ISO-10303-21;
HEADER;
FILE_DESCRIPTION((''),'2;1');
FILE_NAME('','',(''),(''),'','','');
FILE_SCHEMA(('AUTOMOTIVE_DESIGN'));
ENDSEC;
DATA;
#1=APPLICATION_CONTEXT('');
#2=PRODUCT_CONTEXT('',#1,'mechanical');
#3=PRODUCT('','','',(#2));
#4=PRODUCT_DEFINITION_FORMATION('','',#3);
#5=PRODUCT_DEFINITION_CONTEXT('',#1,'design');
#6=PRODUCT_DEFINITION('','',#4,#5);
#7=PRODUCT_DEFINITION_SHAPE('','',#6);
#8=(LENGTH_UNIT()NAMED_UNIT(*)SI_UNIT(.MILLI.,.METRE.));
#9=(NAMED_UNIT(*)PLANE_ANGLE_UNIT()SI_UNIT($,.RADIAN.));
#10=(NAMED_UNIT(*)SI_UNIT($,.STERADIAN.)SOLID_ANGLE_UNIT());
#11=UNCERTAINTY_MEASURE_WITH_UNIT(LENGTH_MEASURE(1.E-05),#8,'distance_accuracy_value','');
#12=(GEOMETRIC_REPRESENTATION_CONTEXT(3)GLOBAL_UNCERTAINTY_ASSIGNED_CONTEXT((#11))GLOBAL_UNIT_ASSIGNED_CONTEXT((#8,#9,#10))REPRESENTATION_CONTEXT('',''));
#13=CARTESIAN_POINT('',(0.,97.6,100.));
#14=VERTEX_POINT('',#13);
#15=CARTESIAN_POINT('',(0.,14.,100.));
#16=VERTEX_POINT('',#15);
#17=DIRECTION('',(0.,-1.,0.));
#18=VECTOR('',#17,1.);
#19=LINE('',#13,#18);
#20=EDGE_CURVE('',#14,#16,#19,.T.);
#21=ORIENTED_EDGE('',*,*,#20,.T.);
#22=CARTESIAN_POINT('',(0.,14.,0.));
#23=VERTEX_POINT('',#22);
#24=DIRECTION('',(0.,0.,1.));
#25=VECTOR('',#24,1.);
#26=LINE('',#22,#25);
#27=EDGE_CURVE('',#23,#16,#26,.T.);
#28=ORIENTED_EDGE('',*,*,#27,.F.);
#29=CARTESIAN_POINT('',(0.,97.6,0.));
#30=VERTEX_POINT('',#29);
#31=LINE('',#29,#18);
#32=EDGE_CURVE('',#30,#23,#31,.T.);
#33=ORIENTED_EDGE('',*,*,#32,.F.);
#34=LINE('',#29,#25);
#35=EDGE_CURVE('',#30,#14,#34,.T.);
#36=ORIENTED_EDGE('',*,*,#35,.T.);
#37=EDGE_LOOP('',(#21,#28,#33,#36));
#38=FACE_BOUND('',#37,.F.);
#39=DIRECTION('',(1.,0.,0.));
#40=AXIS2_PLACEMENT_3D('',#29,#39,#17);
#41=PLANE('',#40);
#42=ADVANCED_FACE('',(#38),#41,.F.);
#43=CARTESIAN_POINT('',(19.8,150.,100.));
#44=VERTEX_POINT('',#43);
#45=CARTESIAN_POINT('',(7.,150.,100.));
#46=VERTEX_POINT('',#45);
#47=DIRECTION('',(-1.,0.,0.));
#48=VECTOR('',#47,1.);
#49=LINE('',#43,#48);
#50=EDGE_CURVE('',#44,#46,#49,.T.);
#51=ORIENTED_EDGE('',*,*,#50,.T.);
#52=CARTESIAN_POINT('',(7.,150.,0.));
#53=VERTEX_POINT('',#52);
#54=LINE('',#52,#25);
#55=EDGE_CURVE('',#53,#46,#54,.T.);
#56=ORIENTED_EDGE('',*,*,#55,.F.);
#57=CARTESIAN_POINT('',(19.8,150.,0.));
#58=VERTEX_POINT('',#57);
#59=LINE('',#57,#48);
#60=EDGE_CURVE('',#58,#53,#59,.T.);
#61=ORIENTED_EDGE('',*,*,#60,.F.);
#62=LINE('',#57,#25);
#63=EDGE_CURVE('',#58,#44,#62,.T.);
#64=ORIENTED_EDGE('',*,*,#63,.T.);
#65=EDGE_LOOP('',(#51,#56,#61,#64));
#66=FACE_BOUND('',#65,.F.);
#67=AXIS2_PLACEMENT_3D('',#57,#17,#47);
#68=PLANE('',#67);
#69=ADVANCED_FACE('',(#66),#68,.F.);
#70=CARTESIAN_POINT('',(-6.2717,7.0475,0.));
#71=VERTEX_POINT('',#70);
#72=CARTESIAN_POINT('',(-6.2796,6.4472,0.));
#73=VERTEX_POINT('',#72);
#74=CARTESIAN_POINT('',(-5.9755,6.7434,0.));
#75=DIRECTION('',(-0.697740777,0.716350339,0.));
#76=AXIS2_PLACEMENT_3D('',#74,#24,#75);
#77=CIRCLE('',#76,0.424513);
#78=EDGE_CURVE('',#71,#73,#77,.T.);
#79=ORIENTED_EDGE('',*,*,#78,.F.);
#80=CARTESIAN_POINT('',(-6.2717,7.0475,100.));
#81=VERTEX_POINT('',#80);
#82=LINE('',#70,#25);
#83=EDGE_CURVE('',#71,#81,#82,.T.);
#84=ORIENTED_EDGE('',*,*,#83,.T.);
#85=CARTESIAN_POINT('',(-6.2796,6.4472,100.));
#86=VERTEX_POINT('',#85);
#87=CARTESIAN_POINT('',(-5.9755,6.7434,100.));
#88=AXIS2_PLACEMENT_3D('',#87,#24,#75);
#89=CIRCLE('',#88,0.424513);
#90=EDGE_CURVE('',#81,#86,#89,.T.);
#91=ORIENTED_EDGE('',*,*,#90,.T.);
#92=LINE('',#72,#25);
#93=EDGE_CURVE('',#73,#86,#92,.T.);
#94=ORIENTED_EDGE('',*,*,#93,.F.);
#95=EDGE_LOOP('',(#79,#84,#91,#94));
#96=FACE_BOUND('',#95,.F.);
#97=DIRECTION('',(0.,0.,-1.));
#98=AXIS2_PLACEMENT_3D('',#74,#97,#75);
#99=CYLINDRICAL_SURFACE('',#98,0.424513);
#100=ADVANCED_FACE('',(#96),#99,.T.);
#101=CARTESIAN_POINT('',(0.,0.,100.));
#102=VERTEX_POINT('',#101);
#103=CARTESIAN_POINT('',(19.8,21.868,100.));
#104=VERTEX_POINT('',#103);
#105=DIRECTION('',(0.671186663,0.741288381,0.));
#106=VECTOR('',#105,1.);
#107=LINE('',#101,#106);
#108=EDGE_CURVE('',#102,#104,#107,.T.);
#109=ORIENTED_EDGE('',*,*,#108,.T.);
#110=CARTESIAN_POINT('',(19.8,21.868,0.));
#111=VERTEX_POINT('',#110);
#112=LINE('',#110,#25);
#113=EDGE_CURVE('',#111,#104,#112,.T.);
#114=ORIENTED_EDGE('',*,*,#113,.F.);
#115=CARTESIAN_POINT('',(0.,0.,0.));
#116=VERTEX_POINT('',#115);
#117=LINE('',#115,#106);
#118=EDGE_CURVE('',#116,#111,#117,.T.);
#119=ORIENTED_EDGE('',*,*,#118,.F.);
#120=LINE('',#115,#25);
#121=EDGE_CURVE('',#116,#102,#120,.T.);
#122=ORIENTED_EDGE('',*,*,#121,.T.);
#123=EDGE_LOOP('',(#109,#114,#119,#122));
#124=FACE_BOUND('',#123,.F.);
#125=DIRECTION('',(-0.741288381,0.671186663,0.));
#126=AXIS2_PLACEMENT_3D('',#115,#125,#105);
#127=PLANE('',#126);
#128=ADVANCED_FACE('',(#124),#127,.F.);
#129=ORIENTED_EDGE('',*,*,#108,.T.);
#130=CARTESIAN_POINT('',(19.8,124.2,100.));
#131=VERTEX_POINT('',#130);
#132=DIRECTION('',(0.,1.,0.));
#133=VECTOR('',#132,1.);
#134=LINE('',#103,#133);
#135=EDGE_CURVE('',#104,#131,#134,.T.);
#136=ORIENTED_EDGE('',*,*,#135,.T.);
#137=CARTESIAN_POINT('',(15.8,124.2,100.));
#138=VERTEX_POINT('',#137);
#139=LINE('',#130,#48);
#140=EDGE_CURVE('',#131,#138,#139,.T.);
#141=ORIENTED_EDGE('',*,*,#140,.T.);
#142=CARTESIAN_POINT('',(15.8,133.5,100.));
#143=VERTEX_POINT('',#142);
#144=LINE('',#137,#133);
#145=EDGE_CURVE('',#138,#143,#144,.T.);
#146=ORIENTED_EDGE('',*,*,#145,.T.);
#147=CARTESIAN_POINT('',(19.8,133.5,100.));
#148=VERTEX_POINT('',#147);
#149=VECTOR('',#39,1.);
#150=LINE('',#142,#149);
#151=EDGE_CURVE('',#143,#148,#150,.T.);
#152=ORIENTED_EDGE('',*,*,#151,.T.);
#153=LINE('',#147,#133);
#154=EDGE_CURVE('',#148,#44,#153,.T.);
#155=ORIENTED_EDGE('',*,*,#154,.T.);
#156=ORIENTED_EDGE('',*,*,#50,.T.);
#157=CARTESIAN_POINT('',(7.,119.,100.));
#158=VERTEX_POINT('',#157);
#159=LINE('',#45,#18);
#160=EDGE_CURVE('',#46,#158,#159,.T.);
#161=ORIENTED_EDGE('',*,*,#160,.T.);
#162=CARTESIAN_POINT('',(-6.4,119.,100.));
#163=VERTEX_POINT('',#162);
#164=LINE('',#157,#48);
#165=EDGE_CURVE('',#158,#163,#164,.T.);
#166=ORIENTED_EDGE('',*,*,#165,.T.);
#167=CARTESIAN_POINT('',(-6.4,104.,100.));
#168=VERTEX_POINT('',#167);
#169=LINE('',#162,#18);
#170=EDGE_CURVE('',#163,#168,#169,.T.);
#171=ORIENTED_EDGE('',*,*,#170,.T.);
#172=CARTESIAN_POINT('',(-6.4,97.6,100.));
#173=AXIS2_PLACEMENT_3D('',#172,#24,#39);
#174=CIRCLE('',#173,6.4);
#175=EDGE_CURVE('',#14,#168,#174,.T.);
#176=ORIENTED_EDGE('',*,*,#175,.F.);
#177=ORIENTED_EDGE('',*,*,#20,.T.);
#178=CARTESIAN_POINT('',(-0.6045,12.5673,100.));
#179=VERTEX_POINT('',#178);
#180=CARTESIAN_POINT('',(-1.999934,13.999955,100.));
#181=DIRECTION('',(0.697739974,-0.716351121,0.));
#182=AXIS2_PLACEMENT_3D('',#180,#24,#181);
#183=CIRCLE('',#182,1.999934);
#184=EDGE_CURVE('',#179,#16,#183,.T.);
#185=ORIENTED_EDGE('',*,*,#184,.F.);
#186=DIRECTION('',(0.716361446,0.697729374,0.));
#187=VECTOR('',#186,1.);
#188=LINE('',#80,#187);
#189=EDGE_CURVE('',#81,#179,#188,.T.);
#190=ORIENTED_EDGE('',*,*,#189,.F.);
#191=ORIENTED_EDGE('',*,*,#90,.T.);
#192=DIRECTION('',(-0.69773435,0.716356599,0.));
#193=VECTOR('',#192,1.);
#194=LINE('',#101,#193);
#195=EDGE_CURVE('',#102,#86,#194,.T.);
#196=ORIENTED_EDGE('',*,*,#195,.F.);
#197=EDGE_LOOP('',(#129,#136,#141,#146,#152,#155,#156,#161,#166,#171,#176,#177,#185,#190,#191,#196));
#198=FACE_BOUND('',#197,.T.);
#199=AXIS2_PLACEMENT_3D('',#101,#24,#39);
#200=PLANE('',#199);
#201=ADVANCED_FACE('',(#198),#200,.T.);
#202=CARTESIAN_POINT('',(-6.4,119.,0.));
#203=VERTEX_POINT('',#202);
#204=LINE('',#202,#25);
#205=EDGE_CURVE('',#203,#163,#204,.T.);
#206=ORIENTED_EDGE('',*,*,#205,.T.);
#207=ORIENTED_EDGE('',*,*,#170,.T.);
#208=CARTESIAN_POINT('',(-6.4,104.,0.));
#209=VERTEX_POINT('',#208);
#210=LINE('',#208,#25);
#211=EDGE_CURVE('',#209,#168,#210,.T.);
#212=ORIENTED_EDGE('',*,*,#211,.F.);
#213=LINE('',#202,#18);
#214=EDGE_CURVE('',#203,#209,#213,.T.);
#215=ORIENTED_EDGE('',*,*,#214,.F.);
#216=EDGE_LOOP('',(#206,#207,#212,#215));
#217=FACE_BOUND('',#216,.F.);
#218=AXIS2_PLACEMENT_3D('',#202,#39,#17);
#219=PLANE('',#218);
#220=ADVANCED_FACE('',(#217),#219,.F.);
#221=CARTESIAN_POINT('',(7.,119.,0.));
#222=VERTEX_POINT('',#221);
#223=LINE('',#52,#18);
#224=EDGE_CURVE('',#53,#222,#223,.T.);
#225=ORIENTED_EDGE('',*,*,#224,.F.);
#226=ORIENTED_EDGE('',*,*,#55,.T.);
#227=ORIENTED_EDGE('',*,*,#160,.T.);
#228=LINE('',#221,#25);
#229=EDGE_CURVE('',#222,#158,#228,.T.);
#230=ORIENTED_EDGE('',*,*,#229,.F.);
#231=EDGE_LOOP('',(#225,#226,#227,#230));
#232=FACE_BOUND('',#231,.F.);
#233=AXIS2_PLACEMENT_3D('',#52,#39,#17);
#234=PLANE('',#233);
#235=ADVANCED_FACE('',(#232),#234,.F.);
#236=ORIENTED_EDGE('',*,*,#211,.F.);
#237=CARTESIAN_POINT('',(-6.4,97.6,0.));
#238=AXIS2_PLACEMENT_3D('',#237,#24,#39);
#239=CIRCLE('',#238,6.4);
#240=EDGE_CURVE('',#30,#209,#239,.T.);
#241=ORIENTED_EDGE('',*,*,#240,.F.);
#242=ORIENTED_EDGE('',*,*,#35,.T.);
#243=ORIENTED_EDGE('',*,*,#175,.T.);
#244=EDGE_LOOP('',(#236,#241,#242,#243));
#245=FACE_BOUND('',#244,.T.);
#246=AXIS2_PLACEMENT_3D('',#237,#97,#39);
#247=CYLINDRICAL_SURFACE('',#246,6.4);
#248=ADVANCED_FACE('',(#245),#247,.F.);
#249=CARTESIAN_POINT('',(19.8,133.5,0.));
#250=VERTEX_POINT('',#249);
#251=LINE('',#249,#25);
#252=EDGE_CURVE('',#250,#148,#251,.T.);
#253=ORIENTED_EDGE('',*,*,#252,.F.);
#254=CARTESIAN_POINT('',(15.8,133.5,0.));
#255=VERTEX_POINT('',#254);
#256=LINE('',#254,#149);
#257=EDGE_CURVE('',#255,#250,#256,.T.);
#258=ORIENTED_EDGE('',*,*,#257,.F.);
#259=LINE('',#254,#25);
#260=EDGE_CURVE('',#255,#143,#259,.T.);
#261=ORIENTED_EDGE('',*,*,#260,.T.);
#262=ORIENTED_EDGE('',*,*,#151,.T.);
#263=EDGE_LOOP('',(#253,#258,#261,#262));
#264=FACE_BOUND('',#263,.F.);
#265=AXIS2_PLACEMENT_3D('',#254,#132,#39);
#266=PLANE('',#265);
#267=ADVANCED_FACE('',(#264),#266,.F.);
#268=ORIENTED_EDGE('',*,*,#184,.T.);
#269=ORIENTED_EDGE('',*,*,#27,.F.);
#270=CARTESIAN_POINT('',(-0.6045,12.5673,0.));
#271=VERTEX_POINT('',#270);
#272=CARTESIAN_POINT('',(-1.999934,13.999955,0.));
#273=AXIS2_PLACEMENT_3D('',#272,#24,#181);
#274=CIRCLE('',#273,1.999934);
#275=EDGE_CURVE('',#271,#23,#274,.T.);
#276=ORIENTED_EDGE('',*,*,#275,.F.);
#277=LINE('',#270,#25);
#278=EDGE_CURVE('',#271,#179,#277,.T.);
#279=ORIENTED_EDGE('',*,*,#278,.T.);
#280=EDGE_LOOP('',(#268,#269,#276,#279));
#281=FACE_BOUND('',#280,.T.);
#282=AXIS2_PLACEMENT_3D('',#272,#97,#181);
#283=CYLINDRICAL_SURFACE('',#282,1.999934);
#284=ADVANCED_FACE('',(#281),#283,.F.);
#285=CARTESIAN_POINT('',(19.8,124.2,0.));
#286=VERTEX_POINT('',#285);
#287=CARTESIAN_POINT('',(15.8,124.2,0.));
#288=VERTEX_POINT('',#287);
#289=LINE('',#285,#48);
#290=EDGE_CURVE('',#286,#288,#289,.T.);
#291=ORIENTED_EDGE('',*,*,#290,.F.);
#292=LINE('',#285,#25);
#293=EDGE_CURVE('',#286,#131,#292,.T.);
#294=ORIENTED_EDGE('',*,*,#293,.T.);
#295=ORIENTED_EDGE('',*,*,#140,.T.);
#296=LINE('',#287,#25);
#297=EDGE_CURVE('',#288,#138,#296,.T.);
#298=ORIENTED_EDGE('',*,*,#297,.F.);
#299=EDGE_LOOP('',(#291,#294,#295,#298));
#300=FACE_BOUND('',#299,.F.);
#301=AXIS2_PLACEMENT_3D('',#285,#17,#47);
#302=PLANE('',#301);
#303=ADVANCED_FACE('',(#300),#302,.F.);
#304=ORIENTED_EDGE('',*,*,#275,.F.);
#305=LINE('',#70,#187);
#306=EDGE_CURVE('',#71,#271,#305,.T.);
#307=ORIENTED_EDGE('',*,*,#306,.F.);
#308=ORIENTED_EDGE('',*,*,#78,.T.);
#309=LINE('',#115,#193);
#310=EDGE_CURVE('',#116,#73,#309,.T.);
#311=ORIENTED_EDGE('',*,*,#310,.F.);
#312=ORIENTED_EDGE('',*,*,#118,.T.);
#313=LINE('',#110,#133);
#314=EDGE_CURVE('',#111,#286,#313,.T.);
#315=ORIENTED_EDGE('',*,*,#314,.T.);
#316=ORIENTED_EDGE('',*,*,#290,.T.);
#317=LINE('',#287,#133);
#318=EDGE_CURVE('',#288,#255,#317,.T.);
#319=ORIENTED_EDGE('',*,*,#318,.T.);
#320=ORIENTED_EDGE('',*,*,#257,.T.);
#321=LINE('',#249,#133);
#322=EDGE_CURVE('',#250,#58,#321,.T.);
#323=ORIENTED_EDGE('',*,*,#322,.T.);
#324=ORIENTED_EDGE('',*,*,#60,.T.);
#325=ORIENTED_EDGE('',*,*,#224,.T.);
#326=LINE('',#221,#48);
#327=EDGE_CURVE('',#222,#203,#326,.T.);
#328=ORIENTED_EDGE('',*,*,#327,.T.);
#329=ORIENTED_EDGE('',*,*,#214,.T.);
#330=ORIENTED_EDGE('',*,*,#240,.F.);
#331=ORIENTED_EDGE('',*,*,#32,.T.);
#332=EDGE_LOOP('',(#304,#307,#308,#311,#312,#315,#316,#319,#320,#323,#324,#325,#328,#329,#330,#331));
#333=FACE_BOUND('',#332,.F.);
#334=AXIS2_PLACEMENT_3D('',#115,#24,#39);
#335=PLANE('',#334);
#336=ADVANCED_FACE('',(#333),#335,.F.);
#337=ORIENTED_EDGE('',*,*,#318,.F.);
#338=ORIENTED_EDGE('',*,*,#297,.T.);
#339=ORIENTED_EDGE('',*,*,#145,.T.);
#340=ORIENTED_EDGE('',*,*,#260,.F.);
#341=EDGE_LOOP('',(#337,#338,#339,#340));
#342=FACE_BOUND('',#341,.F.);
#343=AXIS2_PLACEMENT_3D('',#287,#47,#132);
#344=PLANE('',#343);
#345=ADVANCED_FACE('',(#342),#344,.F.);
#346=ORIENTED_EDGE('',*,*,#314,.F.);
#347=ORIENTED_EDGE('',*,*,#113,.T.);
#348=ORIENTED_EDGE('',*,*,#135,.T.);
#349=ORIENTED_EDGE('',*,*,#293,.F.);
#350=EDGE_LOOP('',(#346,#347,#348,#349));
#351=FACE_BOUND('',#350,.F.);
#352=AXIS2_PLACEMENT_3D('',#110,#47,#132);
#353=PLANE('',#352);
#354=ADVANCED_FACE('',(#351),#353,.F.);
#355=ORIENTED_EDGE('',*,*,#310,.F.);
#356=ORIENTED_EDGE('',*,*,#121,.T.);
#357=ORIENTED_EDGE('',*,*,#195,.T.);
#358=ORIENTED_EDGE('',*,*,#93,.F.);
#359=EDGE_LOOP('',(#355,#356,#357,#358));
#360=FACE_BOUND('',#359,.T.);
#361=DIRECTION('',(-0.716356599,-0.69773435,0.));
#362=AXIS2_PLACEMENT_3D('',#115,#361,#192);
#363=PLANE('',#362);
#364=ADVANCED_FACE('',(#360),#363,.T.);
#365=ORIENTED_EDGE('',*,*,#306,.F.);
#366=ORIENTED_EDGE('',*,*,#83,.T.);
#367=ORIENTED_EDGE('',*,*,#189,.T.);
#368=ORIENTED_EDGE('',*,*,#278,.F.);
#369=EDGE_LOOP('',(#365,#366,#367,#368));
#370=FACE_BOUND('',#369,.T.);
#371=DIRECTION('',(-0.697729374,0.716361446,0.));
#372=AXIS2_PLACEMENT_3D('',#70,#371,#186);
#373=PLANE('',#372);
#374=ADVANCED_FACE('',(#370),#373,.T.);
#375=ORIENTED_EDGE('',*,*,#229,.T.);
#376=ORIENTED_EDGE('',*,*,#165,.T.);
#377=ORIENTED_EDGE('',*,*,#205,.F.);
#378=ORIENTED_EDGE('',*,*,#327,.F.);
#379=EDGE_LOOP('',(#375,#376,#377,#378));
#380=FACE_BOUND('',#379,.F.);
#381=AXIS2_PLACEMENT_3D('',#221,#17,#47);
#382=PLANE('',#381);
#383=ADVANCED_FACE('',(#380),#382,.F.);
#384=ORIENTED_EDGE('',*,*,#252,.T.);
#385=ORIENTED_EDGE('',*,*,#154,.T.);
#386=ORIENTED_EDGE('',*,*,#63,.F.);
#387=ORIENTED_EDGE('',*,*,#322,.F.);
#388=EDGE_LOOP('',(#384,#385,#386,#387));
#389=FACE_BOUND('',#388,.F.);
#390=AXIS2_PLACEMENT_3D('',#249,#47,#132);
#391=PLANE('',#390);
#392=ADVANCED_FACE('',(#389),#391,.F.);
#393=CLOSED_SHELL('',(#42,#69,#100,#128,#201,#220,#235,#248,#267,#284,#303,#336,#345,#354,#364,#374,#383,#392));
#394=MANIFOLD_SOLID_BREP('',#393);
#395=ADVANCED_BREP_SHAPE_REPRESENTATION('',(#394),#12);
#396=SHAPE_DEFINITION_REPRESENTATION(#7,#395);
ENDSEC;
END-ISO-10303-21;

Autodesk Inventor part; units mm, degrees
ref_plane "YZ Plane" through (0, 0, 0) normal (1, 0, 0) x (0, 1, 0)
ref_plane "XZ Plane" through (0, 0, 0) normal (0, 1, 0) x (-1, 0, 0)
ref_plane "XY Plane" through (0, 0, 0) normal (0, 0, 1) x (1, 0, 0)
sketch "Sketch1" plane through (0, 0, 0) normal (0, 0, 1) x (1, 0, 0)
  line L0 (0, 0) -> (19.8, 21.868)
  line L1 (0, 0) -> (-6.2796, 6.4472)
  arc A0 (-6.2717, 7.0475) -> (-6.2796, 6.4472) centre (-5.9755, 6.7434) ccw
  line L2 (-6.2717, 7.0475) -> (-0.6045, 12.5673)
  line L3 (19.8, 21.868) -> (19.8, 124.2)
  line L4 (19.8, 124.2) -> (15.8, 124.2)
  line L5 (15.8, 124.2) -> (15.8, 133.5)
  line L6 (15.8, 133.5) -> (19.8, 133.5)
  line L7 (19.8, 133.5) -> (19.8, 150)
  line L8 (19.8, 150) -> (7, 150)
  line L9 (7, 150) -> (7, 119)
  line L10 (7, 119) -> (-6.4, 119)
  line L11 (-6.4, 119) -> (-6.4, 104)
  arc A1 (0, 97.6) -> (-6.4, 104) centre (-6.4, 97.6) ccw
  line L12 (0, 97.6) -> (0, 14)
  arc A2 (-0.6045, 12.5673) -> (0, 14) centre (-2, 14) ccw
  line L13 (0, 0) -> (-13.9547, 14.3271) construction
  line L14 (-13.9547, 14.3271) -> (-3.2093, 24.7932) construction
  line L15 (69.4917, 19.7836) -> (93.1308, 37.4314)
  line L16 (93.1308, 37.4314) -> (112.8263, 137.8506)
  line L17 (112.8263, 137.8506) -> (108.9011, 138.6205)
  line L18 (108.9011, 138.6205) -> (110.691, 147.7466)
  line L19 (110.691, 147.7466) -> (114.6162, 146.9767)
  line L20 (114.6162, 146.9767) -> (117.7919, 163.1682)
  line L21 (117.7919, 163.1682) -> (105.2312, 165.6318)
  line L22 (105.2312, 165.6318) -> (99.2648, 135.2114)
  line L23 (99.2648, 135.2114) -> (86.1153, 137.7904)
  line L24 (86.1153, 137.7904) -> (83.2283, 123.0709)
  line L25 (83.2283, 123.0709) -> (88.2769, 115.5587)
  line L26 (88.2769, 115.5587) -> (71.9639, 32.3855)
  line L27 (71.9639, 32.3855) -> (64.4618, 27.4868)
  line L28 (64.4618, 27.4868) -> (69.4917, 19.7836)
  line L29 (71.9639, 32.3855) -> (69.4917, 19.7836) construction
  dimension "d1" = 150
  dimension "d2" = 2
  dimension "d4" = 19.8
  dimension "d5" = 29.5
  dimension "d6" = 26.2
  dimension "d7" = 9
  dimension "d8" = 16.5
  dimension "d9" = 9.3
  dimension "d10" = 12.8
  dimension "d11" = 31
  dimension "d12" = 4
  dimension "d13" = 15
  dimension "d14" = 14
  dimension "d15" = 20
  dimension "d16" = 15
  dimension "d19" = 19.8
  dimension "d20" = 9.2
  dimension "d21" = 150
  dimension "d22" = 16.5
  dimension "d23" = 12.8
  dimension "d24" = 31
  dimension "d25" = 26.2
  dimension "d26" = 135
  dimension "d27" = 15
  dimension "d28" = 4
  dimension "d29" = 29.5
  dimension "d30" = 9.3
  dimension "d31" = 86.4
  dimension "d32" = 42.16
extrude "Extrusion1" add sketch "Sketch1" along normal blind 100 contours L1 A0 L2 A2 L12 A1 L11 L10 L9 L8 L7 L6 L5 L4 L3 L0
properties part number "Knife"
